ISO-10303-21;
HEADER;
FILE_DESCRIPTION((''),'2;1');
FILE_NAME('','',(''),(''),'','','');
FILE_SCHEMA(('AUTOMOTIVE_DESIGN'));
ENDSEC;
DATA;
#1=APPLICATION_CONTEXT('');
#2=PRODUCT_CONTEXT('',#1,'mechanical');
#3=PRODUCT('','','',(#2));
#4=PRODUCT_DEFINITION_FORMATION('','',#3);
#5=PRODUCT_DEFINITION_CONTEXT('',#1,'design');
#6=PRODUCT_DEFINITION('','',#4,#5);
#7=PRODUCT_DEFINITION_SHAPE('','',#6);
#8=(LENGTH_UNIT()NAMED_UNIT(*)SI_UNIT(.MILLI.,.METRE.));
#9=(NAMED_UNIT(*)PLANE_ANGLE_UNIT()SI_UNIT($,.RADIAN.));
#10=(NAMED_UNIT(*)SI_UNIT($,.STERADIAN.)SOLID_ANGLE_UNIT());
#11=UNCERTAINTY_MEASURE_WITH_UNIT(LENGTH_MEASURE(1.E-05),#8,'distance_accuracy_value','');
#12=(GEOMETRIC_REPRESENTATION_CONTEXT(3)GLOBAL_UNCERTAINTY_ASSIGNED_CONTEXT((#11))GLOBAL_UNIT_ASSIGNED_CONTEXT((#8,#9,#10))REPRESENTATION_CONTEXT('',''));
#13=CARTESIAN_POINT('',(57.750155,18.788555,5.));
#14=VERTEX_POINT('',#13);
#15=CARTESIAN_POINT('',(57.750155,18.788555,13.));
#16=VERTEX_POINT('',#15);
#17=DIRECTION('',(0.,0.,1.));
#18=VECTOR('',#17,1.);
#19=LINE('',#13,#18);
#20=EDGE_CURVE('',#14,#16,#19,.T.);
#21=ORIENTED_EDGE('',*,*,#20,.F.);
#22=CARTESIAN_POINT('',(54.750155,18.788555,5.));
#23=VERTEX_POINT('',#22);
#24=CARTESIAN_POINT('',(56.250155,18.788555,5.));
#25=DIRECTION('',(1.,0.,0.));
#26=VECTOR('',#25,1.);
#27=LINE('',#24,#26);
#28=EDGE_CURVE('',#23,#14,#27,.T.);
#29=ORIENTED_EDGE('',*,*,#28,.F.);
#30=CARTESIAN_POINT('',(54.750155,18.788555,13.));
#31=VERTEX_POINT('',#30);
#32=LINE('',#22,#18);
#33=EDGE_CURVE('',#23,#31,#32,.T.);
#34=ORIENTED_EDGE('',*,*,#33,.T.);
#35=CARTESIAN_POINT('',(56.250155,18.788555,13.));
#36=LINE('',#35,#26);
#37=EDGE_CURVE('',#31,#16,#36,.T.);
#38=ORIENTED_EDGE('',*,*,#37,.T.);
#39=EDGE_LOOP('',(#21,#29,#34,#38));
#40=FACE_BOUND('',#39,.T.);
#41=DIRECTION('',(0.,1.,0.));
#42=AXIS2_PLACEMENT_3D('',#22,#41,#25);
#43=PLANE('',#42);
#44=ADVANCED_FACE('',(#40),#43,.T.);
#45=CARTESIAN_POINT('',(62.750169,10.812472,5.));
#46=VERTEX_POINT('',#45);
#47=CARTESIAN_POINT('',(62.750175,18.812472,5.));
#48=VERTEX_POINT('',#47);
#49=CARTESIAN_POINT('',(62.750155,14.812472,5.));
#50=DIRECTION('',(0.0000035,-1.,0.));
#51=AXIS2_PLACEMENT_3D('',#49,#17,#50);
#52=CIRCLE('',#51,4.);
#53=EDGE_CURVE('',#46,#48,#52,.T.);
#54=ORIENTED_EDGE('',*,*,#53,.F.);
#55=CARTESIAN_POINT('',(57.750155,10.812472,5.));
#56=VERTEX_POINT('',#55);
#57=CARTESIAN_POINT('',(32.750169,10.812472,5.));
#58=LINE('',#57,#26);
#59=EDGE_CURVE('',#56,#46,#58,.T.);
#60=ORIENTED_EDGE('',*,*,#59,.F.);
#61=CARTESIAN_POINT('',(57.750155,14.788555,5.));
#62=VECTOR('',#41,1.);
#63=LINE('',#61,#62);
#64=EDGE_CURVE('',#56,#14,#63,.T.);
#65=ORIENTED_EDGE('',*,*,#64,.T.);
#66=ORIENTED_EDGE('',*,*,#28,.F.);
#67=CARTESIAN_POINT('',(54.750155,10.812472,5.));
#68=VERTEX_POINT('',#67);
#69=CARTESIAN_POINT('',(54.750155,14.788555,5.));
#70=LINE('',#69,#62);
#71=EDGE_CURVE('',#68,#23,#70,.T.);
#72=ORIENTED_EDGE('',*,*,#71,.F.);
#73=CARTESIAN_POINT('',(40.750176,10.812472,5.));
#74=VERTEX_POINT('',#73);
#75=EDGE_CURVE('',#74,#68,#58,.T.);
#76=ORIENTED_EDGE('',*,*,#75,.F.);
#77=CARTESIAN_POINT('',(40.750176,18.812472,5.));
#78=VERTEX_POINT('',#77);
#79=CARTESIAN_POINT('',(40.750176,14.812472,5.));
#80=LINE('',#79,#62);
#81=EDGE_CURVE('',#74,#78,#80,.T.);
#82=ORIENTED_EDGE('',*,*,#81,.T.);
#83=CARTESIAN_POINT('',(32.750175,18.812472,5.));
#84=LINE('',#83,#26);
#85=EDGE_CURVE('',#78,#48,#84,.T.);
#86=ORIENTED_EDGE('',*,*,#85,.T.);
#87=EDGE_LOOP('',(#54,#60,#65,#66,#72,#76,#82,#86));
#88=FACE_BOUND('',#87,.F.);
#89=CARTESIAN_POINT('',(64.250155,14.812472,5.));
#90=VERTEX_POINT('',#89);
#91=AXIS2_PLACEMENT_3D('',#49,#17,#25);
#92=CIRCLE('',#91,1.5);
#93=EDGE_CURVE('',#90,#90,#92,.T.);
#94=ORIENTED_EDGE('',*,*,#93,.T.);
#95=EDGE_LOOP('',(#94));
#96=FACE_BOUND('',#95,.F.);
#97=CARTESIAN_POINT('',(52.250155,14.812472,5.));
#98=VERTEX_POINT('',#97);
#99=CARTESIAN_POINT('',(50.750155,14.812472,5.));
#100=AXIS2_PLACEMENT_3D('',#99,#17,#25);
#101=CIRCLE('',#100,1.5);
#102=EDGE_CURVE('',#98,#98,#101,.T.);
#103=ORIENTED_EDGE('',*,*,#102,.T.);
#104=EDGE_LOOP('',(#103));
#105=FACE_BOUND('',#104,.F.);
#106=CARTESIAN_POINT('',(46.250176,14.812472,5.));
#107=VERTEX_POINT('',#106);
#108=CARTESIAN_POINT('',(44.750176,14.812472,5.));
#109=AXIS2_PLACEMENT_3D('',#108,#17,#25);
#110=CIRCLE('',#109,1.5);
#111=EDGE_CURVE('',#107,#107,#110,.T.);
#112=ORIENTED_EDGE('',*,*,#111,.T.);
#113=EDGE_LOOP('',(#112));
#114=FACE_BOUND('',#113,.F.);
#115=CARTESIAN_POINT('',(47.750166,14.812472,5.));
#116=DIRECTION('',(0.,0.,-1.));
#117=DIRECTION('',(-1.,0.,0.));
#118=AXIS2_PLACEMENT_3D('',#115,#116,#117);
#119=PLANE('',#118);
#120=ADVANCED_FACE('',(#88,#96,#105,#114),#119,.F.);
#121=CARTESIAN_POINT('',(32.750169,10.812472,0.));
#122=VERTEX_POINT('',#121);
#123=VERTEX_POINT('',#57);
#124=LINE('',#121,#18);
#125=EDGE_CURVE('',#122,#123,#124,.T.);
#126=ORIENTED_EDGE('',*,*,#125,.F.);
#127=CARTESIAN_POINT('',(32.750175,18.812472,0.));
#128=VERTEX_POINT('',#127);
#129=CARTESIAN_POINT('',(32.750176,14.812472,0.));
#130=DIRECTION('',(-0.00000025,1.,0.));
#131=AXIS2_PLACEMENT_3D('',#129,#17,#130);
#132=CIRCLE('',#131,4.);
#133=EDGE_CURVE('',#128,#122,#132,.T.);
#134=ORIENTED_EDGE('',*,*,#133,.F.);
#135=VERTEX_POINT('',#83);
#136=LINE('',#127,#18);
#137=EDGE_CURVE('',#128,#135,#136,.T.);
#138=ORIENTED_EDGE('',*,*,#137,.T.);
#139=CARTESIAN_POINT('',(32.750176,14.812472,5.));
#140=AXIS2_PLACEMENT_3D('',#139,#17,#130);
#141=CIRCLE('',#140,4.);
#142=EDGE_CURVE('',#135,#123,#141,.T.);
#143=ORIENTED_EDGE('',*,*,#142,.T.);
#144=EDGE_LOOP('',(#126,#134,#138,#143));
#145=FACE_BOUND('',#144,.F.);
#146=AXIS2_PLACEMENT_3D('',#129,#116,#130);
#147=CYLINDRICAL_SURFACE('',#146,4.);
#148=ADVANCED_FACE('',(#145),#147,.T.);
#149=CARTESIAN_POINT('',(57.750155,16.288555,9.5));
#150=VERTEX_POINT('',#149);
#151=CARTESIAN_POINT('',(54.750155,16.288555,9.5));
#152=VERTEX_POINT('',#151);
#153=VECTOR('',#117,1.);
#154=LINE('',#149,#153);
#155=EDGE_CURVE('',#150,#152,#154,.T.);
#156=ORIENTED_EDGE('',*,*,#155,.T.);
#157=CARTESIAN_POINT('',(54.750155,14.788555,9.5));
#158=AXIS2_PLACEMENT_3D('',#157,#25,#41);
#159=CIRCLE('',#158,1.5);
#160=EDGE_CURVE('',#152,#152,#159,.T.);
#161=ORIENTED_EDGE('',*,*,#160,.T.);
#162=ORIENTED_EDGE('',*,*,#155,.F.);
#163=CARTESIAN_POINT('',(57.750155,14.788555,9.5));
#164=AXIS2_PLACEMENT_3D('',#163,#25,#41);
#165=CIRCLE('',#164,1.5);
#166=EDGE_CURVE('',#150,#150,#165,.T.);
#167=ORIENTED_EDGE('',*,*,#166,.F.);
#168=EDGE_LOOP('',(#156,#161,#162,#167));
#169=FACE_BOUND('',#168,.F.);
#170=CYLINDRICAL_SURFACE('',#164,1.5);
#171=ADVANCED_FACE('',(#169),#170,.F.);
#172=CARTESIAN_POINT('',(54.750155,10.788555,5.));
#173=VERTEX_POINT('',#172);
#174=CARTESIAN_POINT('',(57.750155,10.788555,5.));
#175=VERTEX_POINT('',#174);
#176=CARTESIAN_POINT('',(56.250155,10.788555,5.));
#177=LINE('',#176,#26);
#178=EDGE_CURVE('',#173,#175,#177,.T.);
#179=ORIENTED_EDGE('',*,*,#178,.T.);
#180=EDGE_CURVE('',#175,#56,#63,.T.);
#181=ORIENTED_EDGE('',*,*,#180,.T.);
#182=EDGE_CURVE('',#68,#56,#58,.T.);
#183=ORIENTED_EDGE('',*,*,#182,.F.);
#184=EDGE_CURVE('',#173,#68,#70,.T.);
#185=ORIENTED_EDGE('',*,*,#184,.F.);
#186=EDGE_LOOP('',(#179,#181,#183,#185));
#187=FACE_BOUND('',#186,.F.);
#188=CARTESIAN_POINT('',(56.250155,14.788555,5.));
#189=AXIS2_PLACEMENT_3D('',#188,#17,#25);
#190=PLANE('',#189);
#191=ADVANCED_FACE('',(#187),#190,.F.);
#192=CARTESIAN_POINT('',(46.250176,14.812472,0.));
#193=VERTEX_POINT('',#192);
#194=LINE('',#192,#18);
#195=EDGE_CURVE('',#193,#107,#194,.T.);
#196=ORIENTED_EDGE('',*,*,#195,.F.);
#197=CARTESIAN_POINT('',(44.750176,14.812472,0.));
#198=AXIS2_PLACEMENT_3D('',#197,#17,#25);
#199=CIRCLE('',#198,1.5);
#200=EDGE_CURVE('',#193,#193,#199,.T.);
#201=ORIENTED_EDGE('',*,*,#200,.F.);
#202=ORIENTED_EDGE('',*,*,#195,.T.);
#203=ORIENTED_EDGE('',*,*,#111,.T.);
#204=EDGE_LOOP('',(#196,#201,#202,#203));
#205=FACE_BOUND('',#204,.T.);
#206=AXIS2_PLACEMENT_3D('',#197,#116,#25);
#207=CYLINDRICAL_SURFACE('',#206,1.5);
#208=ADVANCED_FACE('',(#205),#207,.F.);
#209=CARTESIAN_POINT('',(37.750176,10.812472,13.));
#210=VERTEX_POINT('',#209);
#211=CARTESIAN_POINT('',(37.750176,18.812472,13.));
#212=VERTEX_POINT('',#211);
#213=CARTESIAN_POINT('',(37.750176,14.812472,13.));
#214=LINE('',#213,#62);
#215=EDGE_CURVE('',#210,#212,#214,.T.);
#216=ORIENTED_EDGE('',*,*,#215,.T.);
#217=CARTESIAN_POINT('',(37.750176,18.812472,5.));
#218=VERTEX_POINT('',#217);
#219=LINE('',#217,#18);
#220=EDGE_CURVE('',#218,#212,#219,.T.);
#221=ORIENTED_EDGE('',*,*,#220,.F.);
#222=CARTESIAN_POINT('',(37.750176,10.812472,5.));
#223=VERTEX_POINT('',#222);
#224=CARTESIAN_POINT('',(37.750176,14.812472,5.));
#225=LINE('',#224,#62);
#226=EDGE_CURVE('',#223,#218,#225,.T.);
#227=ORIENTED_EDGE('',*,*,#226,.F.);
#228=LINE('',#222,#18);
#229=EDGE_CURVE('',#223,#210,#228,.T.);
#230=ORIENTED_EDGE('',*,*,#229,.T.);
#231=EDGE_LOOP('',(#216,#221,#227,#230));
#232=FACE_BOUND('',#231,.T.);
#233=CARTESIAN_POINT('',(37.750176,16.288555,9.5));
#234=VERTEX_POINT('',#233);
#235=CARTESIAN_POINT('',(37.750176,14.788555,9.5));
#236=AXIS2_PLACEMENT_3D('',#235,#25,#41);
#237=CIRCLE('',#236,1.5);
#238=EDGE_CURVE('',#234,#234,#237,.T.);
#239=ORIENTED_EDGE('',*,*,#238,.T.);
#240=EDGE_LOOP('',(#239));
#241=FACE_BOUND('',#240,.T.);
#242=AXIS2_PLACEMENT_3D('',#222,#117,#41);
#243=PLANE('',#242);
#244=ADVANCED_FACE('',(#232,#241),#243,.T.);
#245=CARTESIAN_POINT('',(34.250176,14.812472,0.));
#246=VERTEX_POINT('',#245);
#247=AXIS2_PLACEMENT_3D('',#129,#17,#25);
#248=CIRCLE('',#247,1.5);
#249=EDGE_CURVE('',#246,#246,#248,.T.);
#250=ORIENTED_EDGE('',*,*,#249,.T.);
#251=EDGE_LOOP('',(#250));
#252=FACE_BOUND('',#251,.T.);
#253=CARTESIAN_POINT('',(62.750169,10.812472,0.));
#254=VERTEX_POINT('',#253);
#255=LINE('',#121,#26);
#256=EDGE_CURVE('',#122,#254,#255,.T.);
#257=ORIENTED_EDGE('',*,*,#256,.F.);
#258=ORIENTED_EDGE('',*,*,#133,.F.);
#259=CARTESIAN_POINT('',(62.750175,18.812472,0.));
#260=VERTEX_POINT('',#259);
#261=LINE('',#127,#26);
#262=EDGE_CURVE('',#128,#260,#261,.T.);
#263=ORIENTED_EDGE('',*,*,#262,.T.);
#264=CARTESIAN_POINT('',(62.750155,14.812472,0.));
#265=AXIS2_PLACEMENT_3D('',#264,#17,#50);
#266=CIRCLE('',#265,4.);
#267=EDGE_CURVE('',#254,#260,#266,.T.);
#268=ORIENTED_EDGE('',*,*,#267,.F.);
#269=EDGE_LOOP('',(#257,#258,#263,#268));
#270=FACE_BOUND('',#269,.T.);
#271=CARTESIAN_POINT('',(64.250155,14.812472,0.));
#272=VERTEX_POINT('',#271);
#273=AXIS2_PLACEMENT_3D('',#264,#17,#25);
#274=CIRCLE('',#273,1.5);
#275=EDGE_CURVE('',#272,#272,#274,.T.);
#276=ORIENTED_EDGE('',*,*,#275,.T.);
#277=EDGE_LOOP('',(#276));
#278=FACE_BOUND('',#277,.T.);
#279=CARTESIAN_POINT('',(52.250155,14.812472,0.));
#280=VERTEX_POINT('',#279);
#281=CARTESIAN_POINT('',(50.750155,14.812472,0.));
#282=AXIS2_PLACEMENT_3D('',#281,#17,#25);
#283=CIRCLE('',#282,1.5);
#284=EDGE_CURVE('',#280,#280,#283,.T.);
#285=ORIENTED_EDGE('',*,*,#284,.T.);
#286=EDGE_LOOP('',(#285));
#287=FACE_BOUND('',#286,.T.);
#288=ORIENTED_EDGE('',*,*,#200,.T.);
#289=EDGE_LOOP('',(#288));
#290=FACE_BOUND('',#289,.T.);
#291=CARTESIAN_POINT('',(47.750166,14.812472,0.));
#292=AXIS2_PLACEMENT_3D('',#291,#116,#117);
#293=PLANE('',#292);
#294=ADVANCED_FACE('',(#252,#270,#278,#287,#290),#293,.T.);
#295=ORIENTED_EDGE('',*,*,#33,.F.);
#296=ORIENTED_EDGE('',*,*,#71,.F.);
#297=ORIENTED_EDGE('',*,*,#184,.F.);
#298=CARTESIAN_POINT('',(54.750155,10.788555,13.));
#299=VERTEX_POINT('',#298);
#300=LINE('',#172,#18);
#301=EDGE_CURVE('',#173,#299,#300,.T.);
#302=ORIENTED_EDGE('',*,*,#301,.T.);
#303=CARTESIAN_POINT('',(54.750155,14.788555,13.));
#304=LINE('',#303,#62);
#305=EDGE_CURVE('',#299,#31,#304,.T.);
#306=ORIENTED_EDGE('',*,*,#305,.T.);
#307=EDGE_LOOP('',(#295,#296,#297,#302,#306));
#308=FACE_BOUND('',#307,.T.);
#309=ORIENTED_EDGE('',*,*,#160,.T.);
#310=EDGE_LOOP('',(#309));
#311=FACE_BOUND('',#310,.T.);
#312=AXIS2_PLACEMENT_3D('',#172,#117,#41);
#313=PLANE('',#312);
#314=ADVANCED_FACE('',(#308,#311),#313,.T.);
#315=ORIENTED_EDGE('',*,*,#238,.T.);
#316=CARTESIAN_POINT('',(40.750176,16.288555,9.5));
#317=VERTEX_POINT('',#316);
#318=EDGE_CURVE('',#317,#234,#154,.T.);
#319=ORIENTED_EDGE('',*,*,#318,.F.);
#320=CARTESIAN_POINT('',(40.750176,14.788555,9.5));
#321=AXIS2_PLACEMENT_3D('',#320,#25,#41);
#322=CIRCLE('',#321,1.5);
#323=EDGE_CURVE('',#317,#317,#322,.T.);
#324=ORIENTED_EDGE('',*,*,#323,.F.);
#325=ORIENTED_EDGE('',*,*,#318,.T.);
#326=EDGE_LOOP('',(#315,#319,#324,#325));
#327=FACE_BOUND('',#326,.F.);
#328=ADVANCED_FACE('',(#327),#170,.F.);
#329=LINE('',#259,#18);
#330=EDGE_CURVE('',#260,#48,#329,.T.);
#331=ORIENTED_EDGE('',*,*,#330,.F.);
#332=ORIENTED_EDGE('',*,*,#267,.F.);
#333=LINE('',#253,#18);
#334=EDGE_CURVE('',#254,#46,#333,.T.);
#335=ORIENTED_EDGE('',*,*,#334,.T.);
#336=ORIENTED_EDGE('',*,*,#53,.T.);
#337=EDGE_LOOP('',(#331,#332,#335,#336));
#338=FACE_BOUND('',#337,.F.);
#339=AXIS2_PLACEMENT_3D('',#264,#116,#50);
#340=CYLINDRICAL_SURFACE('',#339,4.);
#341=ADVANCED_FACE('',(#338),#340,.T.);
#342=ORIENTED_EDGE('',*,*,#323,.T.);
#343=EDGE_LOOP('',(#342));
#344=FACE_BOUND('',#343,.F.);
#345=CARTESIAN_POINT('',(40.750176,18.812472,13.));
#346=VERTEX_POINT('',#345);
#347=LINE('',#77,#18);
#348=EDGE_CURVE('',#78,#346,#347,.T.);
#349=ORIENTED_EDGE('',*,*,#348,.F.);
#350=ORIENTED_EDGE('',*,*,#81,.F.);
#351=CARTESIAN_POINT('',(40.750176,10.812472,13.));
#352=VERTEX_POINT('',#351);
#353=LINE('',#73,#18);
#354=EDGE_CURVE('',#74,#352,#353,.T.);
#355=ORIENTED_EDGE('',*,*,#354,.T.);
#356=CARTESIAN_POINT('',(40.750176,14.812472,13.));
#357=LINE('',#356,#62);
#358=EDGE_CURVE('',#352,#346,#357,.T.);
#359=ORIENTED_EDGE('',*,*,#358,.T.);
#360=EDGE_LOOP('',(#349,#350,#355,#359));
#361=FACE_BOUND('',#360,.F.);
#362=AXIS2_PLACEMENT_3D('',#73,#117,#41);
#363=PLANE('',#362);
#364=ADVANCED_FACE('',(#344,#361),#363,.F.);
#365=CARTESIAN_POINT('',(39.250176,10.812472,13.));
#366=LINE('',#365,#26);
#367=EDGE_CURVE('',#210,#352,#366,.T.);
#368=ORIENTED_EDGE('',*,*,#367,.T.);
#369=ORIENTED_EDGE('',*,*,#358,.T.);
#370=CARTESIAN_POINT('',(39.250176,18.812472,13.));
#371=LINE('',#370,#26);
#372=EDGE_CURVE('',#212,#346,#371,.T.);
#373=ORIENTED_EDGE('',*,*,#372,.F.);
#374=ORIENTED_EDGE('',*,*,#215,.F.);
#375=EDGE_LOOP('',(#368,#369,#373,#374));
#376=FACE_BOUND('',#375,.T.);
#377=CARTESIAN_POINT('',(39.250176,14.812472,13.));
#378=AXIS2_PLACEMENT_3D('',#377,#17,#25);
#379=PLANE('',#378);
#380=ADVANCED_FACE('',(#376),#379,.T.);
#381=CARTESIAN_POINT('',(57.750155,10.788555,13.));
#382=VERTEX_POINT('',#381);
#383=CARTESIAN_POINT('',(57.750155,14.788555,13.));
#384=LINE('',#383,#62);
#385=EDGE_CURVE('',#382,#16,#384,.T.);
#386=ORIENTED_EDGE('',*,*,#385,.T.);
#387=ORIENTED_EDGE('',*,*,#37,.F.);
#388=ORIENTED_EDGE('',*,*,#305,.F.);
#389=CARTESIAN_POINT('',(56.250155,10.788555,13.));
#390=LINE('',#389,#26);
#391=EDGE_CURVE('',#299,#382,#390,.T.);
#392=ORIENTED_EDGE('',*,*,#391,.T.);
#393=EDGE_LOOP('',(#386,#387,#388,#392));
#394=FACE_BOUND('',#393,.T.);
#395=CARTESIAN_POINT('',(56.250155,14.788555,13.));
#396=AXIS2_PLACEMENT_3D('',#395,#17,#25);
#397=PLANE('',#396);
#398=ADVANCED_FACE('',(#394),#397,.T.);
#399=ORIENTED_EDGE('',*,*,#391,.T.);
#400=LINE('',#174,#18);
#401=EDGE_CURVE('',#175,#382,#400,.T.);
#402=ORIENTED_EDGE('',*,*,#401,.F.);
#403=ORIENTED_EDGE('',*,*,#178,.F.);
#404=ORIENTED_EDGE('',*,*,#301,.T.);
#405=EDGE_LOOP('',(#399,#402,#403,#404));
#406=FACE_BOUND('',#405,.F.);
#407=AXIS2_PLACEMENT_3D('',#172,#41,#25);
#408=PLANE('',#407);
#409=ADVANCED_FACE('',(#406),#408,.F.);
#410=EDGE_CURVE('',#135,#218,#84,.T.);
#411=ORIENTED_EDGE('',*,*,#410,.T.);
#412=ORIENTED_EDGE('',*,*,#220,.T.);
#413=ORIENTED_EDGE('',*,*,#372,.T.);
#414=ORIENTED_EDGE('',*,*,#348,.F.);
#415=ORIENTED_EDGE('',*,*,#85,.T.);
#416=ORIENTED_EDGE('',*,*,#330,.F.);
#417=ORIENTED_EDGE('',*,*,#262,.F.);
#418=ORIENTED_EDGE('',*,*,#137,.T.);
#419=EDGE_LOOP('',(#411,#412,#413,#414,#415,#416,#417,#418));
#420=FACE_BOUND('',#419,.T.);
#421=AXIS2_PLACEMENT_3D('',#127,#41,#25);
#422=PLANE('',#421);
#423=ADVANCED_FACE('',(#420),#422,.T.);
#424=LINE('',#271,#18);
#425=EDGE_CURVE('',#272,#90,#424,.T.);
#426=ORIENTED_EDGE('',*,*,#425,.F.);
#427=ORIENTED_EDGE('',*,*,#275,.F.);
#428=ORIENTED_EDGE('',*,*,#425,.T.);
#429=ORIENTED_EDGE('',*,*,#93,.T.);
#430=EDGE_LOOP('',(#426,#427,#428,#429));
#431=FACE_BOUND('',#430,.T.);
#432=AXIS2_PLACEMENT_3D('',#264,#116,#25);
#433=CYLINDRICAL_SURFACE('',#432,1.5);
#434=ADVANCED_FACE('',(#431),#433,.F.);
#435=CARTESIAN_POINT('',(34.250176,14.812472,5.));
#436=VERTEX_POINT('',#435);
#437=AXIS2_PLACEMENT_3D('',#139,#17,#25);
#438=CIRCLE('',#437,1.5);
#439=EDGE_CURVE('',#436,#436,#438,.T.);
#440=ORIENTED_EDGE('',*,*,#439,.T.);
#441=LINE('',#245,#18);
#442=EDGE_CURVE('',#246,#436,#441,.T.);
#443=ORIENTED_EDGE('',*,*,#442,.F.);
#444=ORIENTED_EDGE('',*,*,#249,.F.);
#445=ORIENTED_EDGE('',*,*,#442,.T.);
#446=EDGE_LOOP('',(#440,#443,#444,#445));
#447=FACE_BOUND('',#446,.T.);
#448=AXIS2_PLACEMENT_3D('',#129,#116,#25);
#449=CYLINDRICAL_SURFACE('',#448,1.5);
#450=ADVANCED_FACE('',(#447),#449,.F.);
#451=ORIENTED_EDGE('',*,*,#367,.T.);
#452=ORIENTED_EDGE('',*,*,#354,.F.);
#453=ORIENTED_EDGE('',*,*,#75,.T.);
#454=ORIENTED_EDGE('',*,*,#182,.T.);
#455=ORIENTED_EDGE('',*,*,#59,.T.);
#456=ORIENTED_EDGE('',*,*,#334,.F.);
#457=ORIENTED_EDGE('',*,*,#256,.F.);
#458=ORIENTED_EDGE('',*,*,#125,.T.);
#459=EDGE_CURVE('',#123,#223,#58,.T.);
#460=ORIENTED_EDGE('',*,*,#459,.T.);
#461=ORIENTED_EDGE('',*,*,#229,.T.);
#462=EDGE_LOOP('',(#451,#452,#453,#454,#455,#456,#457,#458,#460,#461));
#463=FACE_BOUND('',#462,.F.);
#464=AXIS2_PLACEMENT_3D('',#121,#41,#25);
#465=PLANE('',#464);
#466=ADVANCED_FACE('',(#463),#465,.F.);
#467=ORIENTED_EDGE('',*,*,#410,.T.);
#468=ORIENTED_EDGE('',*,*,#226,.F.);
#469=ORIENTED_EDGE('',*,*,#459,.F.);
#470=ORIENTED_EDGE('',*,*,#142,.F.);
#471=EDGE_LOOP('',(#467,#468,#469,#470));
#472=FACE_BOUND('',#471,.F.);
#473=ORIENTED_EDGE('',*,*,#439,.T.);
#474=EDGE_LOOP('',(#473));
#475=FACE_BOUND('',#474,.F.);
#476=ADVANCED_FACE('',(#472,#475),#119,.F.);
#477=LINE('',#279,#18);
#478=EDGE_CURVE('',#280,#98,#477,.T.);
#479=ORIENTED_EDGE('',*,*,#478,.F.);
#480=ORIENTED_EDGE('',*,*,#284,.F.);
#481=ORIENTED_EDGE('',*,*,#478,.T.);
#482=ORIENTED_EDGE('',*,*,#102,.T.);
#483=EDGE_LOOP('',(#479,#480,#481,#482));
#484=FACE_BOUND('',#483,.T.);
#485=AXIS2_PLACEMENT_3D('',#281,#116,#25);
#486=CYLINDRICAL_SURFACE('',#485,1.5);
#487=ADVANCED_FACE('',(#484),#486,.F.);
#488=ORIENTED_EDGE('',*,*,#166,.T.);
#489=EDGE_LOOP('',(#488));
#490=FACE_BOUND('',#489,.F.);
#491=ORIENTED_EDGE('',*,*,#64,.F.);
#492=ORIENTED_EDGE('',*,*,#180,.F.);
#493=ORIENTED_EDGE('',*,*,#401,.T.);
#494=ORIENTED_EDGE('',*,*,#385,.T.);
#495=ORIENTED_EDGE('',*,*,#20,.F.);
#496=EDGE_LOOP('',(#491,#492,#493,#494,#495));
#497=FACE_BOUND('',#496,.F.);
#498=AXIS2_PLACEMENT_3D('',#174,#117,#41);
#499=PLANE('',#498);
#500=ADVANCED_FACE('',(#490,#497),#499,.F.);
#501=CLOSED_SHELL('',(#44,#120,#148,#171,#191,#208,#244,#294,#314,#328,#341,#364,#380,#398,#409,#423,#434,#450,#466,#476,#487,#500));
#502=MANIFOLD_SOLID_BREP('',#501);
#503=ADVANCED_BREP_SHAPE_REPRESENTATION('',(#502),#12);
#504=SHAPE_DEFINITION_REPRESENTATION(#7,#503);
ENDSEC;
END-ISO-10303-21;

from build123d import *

# Parameters (mm, degrees)
SKETCH_R     = 1.5
PAD_DEPTH    = 5
SKETCH001_W  = 3
SKETCH001_H  = 8
PAD001_DEPTH = 8
SKETCH002_R  = 1.5
POCKET_DEPTH = 23


with BuildPart() as part:
    # Sketch → Pad (new body)
    with BuildSketch(Plane.XY):
        with BuildLine():
            Line((32.750175, 18.812472), (62.750175, 18.812472))
            ThreePointArc((62.750169, 10.812472), (66.750155, 14.812469), (62.750175, 18.812472))
            Line((32.750169, 10.812472), (62.750169, 10.812472))
            ThreePointArc((32.750175, 18.812472), (28.750176, 14.812476), (32.750169, 10.812472))
        make_face()
        with Locations((32.750176, 14.812472)):
            Circle(SKETCH_R, mode=Mode.SUBTRACT)
        with Locations((62.750155, 14.812472)):
            Circle(SKETCH_R, mode=Mode.SUBTRACT)
        with Locations((50.750155, 14.812472)):
            Circle(SKETCH_R, mode=Mode.SUBTRACT)
        with Locations((44.750176, 14.812472)):
            Circle(SKETCH_R, mode=Mode.SUBTRACT)
    extrude(amount=PAD_DEPTH)

    # Sketch001 (on Face10 of Pad) → Pad001 (join)
    with BuildSketch(Plane.XY.offset(5)):
        with Locations((39.250176, 14.812472)):
            Rectangle(SKETCH001_W, SKETCH001_H)
        with Locations((56.250155, 14.788555)):
            Rectangle(SKETCH001_W, SKETCH001_H)
    extrude(amount=PAD001_DEPTH)

    # Sketch002 (on Face20 of Pad001) → Pocket (cut)
    with BuildSketch(Plane.YZ.offset(57.750155)):
        with Locations((14.788555, 9.5)):
            Circle(SKETCH002_R)
    extrude(amount=-POCKET_DEPTH, mode=Mode.SUBTRACT)


solid = part.part
